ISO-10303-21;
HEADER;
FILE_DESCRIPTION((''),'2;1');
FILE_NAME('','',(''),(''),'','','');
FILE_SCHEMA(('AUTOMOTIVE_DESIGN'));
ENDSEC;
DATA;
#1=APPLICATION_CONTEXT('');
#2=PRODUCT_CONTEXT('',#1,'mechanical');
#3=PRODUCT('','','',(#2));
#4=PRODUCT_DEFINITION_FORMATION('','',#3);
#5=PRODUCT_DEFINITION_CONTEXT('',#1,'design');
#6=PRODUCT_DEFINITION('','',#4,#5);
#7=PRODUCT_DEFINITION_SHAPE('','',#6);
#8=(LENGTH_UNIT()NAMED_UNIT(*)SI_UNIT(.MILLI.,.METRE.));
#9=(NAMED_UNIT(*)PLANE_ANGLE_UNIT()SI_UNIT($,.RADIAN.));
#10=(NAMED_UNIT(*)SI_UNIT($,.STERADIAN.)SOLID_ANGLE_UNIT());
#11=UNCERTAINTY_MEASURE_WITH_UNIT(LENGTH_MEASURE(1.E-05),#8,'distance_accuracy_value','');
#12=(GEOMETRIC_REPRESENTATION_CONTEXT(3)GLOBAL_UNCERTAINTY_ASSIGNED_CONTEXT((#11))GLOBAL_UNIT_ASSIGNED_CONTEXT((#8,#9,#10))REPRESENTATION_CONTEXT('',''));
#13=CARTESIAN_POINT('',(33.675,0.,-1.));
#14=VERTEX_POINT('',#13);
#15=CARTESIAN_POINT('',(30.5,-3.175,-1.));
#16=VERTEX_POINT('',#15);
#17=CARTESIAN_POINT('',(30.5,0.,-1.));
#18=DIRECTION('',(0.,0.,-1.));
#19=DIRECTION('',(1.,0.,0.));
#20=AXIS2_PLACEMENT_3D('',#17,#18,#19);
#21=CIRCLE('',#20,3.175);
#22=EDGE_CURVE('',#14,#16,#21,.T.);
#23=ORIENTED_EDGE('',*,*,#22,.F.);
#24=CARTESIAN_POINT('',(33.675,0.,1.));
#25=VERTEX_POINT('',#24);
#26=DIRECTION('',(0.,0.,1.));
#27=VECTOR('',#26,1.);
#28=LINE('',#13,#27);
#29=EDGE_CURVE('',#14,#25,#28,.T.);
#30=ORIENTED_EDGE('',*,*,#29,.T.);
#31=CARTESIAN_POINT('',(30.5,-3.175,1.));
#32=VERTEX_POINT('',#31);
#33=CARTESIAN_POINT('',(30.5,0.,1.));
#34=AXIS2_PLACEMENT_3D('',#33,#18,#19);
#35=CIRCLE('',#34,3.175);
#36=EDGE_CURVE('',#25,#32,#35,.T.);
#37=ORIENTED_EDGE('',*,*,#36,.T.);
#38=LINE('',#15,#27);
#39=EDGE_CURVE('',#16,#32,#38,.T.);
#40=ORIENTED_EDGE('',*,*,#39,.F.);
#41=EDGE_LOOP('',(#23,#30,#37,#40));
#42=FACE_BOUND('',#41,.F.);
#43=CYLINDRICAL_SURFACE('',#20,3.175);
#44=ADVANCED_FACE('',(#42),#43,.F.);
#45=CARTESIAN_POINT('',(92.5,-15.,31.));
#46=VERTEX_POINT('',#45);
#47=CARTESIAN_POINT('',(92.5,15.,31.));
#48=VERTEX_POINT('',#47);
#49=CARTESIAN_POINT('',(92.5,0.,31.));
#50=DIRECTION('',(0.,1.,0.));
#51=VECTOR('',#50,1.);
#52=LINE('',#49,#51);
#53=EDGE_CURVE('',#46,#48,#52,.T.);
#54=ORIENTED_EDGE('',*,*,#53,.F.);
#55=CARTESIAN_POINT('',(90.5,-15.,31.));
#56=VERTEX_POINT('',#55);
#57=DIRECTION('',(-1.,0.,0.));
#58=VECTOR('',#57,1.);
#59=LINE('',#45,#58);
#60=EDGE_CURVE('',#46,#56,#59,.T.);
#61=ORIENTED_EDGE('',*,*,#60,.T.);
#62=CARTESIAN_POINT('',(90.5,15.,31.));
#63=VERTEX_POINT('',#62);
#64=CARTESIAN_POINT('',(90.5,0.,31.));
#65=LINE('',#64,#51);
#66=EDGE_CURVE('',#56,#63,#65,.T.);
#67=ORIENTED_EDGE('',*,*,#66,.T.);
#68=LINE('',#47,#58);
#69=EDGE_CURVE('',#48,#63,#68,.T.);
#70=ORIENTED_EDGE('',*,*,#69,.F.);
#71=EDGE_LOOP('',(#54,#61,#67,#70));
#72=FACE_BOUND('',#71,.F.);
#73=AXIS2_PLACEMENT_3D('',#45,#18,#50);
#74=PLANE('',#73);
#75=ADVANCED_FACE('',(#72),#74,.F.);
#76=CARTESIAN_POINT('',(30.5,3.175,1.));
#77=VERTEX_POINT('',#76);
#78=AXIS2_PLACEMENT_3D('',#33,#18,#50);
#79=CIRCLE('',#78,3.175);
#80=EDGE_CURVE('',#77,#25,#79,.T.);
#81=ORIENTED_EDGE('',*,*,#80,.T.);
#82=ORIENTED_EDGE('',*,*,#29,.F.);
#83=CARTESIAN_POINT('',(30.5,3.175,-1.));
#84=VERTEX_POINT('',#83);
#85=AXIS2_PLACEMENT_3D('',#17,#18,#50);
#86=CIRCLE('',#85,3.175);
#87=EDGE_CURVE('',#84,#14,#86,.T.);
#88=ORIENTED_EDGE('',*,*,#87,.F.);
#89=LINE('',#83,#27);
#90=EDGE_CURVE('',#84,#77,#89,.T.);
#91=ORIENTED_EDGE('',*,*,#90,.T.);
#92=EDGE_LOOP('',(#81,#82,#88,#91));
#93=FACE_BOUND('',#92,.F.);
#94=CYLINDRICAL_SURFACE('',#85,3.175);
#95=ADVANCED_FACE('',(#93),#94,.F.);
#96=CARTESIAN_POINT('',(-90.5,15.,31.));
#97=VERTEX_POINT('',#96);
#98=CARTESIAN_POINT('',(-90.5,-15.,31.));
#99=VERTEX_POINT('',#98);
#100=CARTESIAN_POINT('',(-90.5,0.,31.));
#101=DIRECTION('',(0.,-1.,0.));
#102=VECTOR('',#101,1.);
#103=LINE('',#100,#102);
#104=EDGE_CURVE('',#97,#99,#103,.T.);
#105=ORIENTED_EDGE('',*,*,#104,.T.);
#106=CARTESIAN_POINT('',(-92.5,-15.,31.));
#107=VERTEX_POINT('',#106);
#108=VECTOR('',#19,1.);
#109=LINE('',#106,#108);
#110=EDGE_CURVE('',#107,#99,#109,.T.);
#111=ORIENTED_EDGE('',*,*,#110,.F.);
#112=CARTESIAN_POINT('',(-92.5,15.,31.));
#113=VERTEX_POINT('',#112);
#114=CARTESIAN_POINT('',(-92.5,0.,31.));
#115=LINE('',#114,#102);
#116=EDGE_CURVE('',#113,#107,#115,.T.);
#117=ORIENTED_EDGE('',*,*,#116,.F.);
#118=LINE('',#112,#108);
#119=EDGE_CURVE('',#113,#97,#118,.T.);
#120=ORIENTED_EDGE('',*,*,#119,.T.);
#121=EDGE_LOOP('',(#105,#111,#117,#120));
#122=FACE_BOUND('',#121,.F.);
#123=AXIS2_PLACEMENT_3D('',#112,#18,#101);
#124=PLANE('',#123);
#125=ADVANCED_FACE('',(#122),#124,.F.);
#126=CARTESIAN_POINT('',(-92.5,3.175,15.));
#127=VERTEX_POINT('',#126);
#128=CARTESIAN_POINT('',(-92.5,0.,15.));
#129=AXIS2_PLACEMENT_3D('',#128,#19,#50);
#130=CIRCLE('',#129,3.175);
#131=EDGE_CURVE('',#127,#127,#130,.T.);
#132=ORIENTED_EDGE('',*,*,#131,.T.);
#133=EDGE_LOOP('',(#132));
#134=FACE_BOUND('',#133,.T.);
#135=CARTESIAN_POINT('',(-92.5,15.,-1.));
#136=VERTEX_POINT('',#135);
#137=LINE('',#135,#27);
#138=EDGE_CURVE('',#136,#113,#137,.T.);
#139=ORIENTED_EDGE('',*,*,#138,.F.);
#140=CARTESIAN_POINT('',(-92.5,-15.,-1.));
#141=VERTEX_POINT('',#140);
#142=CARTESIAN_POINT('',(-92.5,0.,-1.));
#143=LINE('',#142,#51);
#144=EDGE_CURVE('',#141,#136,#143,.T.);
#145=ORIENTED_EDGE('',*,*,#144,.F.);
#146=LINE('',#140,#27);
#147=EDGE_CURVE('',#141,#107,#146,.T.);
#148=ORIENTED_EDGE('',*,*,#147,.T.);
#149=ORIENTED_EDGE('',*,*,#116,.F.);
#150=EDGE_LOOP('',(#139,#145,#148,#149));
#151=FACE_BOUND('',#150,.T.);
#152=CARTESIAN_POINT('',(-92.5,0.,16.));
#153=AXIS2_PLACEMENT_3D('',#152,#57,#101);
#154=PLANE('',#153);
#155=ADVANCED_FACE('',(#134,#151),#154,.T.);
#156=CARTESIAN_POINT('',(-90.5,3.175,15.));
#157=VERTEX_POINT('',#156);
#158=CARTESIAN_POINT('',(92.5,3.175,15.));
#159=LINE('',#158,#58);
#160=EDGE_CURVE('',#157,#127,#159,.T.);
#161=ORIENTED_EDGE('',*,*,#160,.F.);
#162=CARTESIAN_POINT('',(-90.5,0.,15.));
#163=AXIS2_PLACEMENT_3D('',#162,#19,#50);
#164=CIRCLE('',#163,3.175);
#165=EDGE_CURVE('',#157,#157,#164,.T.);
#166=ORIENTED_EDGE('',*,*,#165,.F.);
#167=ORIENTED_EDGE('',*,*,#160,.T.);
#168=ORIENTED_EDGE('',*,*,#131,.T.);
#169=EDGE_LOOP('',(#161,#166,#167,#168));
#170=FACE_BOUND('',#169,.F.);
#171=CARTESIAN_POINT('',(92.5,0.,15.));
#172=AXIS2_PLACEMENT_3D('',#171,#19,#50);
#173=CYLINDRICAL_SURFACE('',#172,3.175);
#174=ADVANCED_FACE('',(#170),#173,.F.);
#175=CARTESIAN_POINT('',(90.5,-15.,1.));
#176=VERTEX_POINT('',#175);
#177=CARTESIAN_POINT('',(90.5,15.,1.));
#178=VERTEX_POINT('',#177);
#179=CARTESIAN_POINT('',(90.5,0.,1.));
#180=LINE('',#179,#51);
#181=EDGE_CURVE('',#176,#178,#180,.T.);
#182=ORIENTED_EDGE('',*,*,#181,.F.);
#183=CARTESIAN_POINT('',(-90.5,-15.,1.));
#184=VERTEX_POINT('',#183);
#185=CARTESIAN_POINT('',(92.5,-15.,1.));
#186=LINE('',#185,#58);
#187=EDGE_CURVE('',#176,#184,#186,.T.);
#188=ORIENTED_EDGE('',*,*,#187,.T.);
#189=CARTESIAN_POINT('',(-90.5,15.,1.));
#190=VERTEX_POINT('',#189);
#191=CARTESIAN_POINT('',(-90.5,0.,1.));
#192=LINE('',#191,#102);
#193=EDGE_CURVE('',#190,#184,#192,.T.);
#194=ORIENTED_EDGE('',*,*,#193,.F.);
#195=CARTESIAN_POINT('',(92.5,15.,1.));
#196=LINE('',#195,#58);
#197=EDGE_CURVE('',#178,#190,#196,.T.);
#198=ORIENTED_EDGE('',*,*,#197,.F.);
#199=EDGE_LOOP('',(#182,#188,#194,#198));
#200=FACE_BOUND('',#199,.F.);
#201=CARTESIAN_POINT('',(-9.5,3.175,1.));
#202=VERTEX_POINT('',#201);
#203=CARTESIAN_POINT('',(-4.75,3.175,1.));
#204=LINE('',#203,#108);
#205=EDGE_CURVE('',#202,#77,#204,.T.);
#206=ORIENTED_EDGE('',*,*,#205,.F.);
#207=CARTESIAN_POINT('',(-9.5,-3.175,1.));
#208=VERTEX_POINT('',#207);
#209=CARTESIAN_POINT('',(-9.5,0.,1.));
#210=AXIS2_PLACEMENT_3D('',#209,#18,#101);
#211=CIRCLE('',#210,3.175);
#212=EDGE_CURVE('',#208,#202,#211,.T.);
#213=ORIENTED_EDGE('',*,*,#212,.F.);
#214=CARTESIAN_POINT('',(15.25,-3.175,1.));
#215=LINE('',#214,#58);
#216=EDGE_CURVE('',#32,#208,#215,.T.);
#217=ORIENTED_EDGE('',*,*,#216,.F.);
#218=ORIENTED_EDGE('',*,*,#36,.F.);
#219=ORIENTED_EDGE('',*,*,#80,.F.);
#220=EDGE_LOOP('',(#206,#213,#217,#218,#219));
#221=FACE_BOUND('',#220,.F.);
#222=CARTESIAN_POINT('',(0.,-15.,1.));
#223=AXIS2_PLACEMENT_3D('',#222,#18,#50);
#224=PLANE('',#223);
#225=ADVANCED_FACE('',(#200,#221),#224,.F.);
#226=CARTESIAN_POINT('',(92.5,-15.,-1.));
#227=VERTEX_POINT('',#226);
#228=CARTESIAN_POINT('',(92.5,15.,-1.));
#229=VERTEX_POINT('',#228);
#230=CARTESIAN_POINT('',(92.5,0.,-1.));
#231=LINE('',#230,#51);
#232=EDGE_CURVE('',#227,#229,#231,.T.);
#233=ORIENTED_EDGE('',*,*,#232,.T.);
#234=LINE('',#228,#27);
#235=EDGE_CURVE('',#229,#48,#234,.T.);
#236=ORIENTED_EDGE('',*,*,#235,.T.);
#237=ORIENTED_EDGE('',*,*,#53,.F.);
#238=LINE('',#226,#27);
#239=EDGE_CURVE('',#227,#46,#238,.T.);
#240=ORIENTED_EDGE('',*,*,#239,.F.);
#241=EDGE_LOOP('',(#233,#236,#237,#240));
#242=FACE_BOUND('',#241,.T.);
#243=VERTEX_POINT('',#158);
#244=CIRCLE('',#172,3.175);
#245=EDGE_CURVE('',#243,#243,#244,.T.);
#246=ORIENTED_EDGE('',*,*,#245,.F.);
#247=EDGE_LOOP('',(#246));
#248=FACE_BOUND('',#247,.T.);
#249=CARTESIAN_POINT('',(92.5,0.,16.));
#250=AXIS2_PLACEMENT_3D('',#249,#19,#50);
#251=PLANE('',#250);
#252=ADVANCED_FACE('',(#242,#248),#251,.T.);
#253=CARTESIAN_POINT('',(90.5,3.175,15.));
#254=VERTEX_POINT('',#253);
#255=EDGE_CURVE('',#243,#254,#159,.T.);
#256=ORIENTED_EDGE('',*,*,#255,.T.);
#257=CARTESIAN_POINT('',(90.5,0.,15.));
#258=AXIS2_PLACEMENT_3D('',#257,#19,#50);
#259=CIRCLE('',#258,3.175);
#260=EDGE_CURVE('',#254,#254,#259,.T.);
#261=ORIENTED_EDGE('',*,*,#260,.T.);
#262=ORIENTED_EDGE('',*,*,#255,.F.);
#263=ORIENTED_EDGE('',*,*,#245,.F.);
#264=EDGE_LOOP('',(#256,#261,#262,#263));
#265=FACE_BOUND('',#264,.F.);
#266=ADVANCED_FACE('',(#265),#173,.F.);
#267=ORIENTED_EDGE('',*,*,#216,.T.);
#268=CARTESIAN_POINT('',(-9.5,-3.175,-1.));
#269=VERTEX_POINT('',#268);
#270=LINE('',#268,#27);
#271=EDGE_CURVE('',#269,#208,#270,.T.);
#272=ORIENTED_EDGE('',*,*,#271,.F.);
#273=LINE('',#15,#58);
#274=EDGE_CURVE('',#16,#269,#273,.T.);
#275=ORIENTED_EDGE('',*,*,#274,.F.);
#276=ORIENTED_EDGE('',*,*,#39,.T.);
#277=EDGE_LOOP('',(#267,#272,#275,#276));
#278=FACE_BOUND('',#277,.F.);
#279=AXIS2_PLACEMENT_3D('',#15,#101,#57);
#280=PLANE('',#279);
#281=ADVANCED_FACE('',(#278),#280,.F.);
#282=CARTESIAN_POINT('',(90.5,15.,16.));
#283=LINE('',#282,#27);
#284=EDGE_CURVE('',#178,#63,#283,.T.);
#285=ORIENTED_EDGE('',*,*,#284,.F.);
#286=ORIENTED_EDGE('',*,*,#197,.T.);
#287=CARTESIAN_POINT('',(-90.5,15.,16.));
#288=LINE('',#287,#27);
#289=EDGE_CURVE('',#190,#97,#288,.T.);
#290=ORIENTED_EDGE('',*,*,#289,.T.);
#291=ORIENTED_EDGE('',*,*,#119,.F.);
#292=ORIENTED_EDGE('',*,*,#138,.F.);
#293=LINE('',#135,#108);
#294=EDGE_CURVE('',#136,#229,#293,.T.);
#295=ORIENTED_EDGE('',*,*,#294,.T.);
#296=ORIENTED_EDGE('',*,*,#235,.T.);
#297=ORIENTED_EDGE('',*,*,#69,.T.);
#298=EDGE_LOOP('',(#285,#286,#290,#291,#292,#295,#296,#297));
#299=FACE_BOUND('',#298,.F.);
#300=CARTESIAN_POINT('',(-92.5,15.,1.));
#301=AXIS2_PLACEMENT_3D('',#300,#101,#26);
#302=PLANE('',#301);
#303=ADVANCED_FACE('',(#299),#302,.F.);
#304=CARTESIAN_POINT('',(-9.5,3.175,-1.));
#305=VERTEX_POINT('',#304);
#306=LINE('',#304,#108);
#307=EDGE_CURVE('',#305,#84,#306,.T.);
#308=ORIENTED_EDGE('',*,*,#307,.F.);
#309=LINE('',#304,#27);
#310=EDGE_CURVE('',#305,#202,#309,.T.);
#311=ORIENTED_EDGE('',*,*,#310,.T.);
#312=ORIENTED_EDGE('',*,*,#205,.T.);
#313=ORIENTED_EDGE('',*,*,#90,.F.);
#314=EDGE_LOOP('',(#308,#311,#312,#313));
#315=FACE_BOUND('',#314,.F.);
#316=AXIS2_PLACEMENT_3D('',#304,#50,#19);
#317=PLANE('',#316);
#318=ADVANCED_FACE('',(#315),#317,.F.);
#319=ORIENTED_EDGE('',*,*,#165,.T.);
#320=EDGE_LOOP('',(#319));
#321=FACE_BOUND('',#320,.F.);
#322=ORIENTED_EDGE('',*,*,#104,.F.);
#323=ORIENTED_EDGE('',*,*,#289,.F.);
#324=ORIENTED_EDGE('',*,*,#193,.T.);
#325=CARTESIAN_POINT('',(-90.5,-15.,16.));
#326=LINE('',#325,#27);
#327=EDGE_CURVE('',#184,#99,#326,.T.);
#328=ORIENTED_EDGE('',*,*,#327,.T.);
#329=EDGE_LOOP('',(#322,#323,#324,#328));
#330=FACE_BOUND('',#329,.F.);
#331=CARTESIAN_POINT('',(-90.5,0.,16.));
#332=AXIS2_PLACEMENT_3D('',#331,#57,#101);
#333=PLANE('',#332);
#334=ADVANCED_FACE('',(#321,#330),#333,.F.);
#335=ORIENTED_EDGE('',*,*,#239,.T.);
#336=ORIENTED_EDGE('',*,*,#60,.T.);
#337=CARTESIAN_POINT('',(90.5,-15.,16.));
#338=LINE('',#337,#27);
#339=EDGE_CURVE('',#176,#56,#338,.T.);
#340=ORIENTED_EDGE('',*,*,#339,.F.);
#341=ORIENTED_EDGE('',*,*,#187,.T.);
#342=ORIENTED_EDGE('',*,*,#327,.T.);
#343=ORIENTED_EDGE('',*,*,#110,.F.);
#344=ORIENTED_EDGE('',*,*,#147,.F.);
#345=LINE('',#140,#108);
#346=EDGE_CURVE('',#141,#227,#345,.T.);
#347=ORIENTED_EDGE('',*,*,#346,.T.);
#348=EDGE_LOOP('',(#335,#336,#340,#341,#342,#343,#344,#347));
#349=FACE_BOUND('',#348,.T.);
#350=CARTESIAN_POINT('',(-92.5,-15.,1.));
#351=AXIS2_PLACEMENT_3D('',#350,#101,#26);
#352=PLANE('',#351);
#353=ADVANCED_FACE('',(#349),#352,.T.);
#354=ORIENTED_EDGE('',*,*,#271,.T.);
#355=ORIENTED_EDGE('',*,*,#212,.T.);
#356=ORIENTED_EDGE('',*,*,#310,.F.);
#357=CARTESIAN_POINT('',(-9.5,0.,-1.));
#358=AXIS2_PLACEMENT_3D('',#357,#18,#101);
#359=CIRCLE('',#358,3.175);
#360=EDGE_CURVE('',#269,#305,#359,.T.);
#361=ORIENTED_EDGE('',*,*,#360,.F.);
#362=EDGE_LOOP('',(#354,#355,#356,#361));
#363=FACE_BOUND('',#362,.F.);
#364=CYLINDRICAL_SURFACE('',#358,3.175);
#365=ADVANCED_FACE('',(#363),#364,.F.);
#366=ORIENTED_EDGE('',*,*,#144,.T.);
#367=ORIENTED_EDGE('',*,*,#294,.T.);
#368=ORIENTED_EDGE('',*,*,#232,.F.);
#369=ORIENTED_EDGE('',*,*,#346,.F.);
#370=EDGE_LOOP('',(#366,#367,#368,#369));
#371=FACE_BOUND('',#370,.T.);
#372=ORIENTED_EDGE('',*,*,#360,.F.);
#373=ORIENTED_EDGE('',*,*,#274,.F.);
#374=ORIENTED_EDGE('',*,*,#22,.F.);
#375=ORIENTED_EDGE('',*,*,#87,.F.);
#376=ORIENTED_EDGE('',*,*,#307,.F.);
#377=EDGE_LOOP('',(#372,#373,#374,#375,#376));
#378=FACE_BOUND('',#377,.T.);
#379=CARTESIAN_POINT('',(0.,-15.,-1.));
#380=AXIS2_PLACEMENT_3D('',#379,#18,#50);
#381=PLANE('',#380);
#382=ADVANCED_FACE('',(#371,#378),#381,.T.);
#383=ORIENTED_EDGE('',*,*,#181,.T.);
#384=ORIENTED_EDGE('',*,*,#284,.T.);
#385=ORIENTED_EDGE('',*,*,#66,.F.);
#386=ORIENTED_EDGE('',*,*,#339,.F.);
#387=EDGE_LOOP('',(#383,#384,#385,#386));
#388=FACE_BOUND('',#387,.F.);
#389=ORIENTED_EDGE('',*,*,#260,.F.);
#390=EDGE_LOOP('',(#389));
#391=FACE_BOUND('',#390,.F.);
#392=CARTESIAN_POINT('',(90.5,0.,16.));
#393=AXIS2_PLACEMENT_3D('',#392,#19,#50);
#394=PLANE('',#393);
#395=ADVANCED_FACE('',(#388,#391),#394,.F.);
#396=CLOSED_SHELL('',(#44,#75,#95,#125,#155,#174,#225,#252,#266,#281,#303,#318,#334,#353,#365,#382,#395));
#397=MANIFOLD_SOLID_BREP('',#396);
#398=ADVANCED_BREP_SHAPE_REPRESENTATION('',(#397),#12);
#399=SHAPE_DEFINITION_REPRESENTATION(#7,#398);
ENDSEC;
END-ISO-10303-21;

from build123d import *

# Parameters (mm, degrees)
F0_W     = 30
F0_H     = 2
F1_DEPTH = 92.5
F2_W     = 30
F2_H     = 30
F3_DEPTH = 2
F4_W     = 30
F4_H     = 30
F5_DEPTH = 2
F6_R     = 3.175
F7_DEPTH = 250
F9_DEPTH = 25


with BuildPart() as f1:
    # F0 (on Right) → F1 (new body, symmetric)
    with BuildSketch(Plane.YZ):
        Rectangle(F0_W, F0_H)
    extrude(amount=F1_DEPTH, both=True)

    # F2 (on face) → F3 (join)
    with BuildSketch(Plane.YZ.offset(92.5)):
        with Locations((0, 16)):
            Rectangle(F2_W, F2_H)
    extrude(amount=-F3_DEPTH)

    # F4 (on face) → F5 (join)
    with BuildSketch(Plane(origin=(-92.5, 0, 0), x_dir=(0, -1, 0), z_dir=(-1, 0, 0))):
        with Locations((0, 16)):
            Rectangle(F4_W, F4_H)
    extrude(amount=-F5_DEPTH)

    # F6 (on face) → F7 (cut)
    with BuildSketch(Plane.YZ.offset(92.5)):
        with Locations((0, 15)):
            Circle(F6_R)
    extrude(amount=-F7_DEPTH, mode=Mode.SUBTRACT)

    # F8 (on face) → F9 (cut)
    with BuildSketch(Plane(origin=(0, 0, -1), x_dir=(1, 0, 0), z_dir=(0, 0, -1))):
        with BuildLine():
            ThreePointArc((30.5, -3.175), (32.7450640303, -2.2450640303), (33.675, 0))
            ThreePointArc((33.675, 0), (32.7450640303, 2.2450640303), (30.5, 3.175))
            ThreePointArc((30.5, 3.175), (27.325, 0), (30.5, -3.175))
        make_face()
        with BuildLine():
            ThreePointArc((30.5, -3.175), (27.325, 0), (30.5, 3.175))
            Line((30.5, 3.175), (-9.5, 3.175))
            ThreePointArc((-9.5, 3.175), (-7.2549359697, 2.2450640303), (-6.325, 0))
            ThreePointArc((-6.325, 0), (-7.2549359697, -2.2450640303), (-9.5, -3.175))
            Line((-9.5, -3.175), (30.5, -3.175))
        make_face()
        with BuildLine():
            ThreePointArc((-6.325, 0), (-7.2549359697, 2.2450640303), (-9.5, 3.175))
            ThreePointArc((-9.5, 3.175), (-12.675, 0), (-9.5, -3.175))
            ThreePointArc((-9.5, -3.175), (-7.2549359697, -2.2450640303), (-6.325, 0))
        make_face()
    extrude(amount=-F9_DEPTH, mode=Mode.SUBTRACT)


solid = f1.part
